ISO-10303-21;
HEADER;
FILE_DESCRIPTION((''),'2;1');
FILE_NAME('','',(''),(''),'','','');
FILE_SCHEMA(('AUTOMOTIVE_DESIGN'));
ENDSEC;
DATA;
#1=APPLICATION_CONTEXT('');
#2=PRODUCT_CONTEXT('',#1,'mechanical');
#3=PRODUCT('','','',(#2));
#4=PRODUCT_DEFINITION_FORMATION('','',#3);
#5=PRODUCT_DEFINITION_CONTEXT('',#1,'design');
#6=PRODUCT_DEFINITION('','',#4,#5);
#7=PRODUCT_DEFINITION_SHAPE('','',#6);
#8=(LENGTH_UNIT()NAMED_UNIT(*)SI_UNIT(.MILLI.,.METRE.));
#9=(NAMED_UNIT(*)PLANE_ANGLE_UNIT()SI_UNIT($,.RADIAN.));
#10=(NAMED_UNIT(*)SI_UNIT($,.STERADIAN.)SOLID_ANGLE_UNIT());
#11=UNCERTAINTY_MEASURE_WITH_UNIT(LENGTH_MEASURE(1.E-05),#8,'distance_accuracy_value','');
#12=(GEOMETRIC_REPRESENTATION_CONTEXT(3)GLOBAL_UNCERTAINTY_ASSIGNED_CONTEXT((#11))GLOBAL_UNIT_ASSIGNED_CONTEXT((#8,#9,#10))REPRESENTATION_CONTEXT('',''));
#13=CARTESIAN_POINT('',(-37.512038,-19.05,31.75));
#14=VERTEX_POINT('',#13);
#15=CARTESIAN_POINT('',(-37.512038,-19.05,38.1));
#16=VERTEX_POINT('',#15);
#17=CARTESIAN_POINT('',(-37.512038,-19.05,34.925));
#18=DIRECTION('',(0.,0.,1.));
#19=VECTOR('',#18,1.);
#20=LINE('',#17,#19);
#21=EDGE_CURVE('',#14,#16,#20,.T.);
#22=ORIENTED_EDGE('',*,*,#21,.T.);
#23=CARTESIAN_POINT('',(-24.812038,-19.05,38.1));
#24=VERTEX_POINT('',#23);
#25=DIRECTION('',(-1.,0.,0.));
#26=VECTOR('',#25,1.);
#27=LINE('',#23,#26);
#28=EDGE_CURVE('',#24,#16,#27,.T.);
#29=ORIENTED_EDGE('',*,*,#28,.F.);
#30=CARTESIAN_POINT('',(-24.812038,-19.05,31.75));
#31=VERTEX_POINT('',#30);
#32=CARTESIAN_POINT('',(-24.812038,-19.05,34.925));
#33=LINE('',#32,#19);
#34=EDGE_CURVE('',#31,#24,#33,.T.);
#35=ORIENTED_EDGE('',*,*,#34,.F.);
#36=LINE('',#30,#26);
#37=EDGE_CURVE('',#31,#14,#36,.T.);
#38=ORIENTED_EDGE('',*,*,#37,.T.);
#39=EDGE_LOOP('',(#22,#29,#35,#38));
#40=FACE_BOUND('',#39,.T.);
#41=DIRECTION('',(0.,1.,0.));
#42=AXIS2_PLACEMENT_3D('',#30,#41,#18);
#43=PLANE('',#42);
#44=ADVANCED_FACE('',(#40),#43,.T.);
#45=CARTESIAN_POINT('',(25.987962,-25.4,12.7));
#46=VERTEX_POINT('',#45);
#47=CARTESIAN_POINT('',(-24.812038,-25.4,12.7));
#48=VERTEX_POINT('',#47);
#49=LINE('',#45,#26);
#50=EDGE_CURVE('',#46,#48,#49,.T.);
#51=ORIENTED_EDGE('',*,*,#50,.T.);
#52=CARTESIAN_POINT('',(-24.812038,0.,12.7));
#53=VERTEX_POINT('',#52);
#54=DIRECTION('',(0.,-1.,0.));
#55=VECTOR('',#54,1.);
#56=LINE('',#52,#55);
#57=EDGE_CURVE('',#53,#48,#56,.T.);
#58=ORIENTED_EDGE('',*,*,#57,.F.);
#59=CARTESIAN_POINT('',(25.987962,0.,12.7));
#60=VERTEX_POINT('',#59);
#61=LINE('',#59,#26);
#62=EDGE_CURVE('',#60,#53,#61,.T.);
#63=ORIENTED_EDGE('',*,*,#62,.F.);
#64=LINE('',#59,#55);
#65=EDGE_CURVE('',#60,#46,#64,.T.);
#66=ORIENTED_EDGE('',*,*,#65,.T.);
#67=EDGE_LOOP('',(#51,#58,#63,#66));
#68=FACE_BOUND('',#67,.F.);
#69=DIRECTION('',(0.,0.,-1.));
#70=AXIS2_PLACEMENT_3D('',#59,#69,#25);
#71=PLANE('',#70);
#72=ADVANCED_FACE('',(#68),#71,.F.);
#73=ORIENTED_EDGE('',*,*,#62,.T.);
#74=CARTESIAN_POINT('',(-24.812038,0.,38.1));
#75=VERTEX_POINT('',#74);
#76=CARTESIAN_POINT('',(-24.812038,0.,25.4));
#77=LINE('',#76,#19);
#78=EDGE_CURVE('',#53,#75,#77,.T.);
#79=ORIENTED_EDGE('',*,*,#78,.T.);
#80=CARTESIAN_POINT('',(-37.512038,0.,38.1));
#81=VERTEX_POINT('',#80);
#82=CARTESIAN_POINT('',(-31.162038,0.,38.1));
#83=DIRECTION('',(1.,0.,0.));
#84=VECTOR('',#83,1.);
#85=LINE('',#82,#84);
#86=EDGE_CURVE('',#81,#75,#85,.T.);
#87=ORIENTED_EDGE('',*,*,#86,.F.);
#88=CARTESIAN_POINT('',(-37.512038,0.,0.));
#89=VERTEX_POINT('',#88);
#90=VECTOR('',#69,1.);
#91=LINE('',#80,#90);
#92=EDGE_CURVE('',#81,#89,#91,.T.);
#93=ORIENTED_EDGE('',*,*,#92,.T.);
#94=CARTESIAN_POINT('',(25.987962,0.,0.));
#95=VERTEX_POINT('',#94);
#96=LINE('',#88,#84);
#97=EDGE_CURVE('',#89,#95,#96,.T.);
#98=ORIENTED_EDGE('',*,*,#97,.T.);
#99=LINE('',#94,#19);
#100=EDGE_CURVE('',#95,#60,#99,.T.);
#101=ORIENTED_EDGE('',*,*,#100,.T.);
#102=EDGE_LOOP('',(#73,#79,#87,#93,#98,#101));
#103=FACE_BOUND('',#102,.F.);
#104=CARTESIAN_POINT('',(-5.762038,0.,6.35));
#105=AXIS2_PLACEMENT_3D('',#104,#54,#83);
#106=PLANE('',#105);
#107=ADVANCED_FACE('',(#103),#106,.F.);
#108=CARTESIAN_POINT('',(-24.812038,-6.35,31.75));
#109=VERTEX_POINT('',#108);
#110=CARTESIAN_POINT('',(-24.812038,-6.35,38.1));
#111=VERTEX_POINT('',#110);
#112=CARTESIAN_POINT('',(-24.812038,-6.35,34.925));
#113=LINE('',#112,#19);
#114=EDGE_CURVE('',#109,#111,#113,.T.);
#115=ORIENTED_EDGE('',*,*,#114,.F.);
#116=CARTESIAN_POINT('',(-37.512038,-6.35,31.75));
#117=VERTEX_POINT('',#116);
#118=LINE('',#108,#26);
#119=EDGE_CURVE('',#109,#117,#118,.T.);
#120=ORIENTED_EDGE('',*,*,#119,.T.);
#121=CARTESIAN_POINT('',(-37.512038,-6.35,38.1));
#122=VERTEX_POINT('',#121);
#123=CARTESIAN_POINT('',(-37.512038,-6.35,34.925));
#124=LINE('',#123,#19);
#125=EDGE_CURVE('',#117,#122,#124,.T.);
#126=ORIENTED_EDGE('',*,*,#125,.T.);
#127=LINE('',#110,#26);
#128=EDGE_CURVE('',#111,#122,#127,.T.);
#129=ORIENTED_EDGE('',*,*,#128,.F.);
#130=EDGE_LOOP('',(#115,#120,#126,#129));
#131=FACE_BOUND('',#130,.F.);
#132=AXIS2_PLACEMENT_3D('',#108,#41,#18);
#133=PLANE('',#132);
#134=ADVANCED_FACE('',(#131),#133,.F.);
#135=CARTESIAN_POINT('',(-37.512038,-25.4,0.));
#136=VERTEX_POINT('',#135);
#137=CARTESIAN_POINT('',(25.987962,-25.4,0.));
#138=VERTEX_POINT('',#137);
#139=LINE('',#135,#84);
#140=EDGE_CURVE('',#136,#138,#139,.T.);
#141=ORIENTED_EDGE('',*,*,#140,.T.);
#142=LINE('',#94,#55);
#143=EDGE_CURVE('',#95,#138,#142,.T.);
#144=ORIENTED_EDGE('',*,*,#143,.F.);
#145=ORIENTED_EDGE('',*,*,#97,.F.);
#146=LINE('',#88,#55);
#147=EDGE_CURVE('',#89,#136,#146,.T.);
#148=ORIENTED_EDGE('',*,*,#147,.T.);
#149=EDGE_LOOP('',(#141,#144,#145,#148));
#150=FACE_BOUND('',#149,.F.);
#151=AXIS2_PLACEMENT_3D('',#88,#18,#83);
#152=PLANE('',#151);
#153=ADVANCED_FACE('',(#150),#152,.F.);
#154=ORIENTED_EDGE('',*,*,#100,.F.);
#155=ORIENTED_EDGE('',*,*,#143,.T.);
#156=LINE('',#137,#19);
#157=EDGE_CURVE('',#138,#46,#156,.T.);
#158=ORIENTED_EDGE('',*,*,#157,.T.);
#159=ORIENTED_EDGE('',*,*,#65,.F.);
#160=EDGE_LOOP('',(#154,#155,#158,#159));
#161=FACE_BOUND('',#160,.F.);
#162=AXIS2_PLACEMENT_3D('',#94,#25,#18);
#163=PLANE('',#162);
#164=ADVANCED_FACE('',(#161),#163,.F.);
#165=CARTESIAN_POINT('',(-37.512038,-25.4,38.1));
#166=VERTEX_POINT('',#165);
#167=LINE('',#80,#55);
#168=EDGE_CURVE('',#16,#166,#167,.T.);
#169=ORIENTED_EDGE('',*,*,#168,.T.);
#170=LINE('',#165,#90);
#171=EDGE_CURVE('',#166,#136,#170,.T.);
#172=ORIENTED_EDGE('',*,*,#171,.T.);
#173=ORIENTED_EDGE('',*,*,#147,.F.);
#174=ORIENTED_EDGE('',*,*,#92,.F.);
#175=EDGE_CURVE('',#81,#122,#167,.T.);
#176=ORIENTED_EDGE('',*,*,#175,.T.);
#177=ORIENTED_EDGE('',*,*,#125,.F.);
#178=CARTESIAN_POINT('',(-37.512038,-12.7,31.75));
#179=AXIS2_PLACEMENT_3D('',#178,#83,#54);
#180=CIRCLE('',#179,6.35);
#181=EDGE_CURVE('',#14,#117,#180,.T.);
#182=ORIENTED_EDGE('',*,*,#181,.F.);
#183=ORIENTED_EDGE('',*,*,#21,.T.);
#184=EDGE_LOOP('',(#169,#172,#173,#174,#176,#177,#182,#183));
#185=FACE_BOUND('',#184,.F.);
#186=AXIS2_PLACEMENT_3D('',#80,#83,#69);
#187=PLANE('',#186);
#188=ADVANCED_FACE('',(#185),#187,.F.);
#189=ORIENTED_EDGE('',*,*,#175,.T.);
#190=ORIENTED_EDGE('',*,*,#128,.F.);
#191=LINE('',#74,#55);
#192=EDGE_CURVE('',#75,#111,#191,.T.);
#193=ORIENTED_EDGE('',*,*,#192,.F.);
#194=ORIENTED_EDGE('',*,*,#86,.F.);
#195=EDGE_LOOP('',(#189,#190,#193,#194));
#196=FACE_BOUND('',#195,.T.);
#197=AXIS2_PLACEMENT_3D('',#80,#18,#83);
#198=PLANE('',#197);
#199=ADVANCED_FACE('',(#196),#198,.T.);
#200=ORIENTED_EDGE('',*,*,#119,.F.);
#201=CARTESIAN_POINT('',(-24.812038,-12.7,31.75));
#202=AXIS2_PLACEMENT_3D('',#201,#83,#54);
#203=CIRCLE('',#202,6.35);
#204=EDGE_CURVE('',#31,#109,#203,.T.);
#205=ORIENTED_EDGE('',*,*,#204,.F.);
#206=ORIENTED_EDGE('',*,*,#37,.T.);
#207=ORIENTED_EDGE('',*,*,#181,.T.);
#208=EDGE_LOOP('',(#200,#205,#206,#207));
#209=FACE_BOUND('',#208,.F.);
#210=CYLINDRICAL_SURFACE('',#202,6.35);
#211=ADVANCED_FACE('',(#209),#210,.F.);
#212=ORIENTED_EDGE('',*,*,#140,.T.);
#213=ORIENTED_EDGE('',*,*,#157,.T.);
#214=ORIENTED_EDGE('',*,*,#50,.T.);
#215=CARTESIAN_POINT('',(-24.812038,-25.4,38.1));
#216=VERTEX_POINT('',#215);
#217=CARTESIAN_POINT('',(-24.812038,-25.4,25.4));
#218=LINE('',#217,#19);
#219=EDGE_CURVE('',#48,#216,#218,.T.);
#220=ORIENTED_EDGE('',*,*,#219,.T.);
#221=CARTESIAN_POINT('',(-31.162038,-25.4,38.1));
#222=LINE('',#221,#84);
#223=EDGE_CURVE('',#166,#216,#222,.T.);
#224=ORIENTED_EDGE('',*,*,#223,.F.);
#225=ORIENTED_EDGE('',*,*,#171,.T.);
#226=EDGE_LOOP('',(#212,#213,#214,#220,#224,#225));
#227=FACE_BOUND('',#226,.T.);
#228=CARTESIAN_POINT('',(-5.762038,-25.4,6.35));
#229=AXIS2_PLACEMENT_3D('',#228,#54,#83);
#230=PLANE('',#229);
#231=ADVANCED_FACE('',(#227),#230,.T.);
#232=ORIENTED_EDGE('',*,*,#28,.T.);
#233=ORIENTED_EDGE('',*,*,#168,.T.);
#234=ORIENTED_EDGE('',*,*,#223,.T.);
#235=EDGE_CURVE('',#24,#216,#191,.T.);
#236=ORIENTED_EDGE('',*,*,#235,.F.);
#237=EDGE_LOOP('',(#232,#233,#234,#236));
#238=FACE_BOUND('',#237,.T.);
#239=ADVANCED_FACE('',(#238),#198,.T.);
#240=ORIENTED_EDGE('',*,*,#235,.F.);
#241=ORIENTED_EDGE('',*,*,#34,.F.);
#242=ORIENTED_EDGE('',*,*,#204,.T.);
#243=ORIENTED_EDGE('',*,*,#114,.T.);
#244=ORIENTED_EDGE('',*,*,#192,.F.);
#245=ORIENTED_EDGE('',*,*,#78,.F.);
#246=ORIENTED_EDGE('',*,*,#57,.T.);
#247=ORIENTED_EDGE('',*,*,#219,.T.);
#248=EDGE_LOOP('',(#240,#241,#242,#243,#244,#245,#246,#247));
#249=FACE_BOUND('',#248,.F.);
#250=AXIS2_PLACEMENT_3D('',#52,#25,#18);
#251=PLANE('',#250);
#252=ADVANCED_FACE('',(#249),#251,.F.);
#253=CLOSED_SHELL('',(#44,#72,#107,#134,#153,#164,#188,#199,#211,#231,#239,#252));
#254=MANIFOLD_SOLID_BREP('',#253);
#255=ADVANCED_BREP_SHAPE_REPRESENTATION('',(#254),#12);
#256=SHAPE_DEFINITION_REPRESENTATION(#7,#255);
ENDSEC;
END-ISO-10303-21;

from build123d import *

# Parameters (mm, degrees)
F0_W     = 12.7
F0_H     = 25.4
F1_DEPTH = 25.4
F2_DEPTH = 25.4
F3_W     = 12.7
F3_H     = 6.35
F4_DEPTH = 25.4


with BuildPart() as f1:
    # F0 (on Front) → F1 (new body)
    with BuildSketch(Plane.XZ):
        Polygon((-37.512038, 12.7), (-37.512038, 0), (25.987962, 0), (25.987962, 12.7), (-24.812038, 12.7), align=None)
        with Locations((-31.162038, 25.4)):
            Rectangle(F0_W, F0_H)
    extrude(amount=F1_DEPTH)

    # F0 (on Front) → F2 (join)
    with BuildSketch(Plane.XZ):
        Polygon((-37.512038, 12.7), (-37.512038, 0), (25.987962, 0), (25.987962, 12.7), (-24.812038, 12.7), align=None)
        with Locations((-31.162038, 25.4)):
            Rectangle(F0_W, F0_H)
    extrude(amount=F2_DEPTH)

    # F3 (on face) → F4 (cut)
    with BuildSketch(Plane.YZ.offset(-24.812038)):
        with BuildLine():
            ThreePointArc((-19.05, 31.75), (-12.7, 25.4), (-6.35, 31.75))
            Line((-6.35, 31.75), (-19.05, 31.75))
        make_face()
        with Locations((-12.7, 34.925)):
            Rectangle(F3_W, F3_H)
    extrude(amount=-F4_DEPTH, mode=Mode.SUBTRACT)


solid = f1.part
